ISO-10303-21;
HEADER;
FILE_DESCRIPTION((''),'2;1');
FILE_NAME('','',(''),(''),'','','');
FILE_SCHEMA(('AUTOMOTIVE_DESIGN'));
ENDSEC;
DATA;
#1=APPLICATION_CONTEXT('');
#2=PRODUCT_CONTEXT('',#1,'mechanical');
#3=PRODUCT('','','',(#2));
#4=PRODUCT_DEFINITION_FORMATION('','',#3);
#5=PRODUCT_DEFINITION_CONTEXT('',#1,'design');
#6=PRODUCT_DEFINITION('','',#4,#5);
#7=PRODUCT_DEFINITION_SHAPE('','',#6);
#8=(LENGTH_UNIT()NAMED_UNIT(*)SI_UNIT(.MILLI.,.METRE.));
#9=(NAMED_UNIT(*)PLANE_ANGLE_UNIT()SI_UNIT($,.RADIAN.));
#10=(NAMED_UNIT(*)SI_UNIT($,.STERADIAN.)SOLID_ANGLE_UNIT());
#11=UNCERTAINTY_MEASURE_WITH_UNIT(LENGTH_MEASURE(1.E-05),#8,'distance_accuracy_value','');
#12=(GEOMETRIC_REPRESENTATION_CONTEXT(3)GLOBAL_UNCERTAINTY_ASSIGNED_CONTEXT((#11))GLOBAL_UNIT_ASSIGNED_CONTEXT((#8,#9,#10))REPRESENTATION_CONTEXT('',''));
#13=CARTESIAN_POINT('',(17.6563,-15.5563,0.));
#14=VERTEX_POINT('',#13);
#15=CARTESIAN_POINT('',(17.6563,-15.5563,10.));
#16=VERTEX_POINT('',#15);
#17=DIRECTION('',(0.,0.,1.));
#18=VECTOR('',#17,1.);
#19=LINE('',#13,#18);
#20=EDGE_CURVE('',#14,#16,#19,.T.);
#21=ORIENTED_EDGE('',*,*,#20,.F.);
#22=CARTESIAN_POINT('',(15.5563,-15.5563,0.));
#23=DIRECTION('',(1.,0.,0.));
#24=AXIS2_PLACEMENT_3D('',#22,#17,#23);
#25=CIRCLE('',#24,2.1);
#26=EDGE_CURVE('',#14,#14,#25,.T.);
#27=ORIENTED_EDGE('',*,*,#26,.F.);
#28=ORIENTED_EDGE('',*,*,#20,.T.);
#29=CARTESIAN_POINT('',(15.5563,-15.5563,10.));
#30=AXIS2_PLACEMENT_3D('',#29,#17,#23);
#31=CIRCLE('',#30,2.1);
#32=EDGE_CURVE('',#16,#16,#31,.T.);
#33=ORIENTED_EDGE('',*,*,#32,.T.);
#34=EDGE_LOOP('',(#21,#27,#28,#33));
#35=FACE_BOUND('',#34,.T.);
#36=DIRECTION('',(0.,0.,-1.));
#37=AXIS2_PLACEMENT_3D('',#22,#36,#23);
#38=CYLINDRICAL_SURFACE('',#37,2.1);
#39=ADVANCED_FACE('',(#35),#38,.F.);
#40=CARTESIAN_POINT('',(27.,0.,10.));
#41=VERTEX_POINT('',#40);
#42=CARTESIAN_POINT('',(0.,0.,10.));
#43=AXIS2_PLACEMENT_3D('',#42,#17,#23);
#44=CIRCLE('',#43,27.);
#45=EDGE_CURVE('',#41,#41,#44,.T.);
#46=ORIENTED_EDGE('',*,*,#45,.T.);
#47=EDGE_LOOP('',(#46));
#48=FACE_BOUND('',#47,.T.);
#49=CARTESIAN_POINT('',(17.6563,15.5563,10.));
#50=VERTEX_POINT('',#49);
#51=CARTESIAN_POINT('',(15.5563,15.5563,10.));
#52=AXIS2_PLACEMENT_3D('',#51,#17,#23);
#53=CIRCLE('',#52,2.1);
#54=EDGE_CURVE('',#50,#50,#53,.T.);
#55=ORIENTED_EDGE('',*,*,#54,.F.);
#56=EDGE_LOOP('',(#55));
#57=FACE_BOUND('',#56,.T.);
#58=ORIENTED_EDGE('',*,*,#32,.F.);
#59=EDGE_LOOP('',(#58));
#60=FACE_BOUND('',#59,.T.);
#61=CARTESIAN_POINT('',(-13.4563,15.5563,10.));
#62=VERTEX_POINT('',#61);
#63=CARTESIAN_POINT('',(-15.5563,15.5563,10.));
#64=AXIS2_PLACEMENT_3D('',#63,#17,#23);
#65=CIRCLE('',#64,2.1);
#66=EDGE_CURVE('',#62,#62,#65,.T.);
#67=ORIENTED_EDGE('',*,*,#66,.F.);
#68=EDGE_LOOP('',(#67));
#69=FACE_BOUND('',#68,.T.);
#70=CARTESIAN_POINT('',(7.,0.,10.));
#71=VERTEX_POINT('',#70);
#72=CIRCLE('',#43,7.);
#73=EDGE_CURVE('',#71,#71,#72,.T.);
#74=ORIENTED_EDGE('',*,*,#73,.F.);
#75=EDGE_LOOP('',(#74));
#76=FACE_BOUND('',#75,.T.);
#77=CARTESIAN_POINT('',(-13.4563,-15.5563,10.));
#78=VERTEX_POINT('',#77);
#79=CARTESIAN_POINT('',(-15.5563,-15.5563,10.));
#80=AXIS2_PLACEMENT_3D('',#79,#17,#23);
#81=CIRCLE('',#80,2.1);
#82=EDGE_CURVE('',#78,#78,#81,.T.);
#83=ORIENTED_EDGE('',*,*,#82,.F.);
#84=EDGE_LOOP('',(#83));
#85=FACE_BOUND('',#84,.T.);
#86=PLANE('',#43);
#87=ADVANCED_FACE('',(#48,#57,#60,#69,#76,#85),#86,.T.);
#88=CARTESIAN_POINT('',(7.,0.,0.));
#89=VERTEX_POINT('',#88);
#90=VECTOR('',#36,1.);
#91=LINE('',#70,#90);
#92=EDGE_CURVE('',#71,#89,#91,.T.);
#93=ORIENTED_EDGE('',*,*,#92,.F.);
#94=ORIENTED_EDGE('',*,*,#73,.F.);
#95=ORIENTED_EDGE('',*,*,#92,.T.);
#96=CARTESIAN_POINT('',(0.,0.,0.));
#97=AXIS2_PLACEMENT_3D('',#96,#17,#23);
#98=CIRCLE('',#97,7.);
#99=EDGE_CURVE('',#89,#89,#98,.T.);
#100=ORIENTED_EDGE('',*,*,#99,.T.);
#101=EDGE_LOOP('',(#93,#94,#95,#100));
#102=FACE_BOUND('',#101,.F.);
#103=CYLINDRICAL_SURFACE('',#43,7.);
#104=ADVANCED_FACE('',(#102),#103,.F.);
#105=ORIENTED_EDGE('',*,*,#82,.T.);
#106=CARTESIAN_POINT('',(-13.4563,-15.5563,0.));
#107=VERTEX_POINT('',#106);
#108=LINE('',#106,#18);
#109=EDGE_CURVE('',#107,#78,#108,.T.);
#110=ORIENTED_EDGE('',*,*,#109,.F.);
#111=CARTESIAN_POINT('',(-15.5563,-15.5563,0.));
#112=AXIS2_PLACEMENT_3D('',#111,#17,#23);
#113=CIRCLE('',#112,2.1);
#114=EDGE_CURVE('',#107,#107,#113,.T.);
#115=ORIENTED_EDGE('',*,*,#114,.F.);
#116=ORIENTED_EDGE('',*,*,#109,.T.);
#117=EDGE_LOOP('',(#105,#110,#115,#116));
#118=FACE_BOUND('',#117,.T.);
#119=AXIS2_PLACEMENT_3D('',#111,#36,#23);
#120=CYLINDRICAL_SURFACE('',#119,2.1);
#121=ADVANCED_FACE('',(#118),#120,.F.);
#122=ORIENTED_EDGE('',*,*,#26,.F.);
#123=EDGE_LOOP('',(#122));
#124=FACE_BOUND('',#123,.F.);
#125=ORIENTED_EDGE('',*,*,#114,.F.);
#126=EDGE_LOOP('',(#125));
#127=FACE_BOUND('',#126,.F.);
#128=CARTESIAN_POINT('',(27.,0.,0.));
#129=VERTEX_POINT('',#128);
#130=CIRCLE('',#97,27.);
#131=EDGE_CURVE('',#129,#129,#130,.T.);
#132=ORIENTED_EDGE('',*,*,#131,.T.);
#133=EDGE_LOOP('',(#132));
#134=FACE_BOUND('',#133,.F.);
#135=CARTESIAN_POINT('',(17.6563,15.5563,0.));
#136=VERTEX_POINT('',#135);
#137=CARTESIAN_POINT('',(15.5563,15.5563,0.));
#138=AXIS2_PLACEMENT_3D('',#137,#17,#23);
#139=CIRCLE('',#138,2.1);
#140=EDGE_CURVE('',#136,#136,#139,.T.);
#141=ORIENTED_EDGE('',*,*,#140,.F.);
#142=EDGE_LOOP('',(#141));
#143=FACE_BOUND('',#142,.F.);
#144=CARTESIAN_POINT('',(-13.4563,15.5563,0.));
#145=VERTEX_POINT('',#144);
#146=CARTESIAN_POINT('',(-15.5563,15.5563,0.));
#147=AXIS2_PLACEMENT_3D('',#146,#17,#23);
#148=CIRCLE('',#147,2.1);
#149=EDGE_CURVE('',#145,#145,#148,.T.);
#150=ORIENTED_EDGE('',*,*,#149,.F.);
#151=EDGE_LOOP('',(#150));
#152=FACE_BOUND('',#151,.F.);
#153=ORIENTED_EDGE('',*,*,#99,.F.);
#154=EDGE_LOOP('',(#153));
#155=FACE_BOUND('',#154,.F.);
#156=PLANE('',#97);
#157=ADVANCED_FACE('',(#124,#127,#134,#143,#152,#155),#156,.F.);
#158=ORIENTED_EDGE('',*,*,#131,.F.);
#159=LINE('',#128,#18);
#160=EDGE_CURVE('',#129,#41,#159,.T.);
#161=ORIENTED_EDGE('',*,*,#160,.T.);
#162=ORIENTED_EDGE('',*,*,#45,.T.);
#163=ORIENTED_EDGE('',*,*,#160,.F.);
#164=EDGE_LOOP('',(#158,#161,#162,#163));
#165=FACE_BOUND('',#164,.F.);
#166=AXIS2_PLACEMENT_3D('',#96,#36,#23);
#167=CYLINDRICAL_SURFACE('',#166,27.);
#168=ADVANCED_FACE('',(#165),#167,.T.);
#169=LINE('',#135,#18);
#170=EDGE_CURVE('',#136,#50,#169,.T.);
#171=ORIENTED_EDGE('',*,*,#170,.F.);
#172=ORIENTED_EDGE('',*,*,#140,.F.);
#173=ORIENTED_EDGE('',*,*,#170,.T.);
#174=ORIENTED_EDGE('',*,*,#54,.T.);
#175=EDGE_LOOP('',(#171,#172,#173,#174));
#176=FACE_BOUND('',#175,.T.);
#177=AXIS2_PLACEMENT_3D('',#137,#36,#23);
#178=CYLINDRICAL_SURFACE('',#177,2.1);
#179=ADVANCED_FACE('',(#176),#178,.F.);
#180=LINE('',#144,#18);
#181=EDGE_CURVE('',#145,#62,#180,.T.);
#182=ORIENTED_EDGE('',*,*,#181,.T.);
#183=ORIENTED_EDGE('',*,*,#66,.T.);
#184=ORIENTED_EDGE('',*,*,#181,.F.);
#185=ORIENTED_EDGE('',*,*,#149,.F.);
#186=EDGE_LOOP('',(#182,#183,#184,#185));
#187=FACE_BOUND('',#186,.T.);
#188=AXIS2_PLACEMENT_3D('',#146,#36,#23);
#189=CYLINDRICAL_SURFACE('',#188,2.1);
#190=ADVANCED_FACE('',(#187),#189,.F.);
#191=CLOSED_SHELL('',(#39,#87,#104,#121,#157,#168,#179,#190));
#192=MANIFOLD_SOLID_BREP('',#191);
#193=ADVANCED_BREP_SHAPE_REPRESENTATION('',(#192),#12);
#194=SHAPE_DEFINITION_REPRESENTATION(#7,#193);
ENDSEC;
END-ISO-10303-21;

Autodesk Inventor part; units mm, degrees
ref_plane "YZ Plane" through (0, 0, 0) normal (1, 0, 0) x (0, 1, 0)
ref_plane "XZ Plane" through (0, 0, 0) normal (0, 1, 0) x (-1, 0, 0)
ref_plane "XY Plane" through (0, 0, 0) normal (0, 0, 1) x (1, 0, 0)
sketch "Sketch1" plane through (0, 0, 0) normal (0, 0, 1) x (1, 0, 0)
  circle A0 centre (0, 0) radius 27
  circle A1 centre (-15.5563, 15.5563) radius 2.1
  line L0 (-15.5563, 15.5563) -> (0, 0) construction
  line L1 (0, 0) -> (-27, 0) construction
  circle A2 centre (-15.5563, -15.5563) radius 2.1
  circle A3 centre (15.5563, -15.5563) radius 2.1
  circle A4 centre (15.5563, 15.5563) radius 2.1
  dimension "d0" = 54
  dimension "d1" = 4.2
  dimension "d2" = 22
  dimension "d3" = 45
  dimension "d6" = 360
extrude "Extrusion1" add sketch "Sketch1" along normal blind 10
sketch "Sketch2" plane through (0, 0, 10) normal (0, 0, 1) x (1, 0, 0)
  circle A0 centre (0, 0) radius 7
  dimension "d10" = 14
extrude "Extrusion2" cut sketch "Sketch2" against normal through all
properties part number "Stage2MotorSpacer" material "PC/ABS Plastic"
